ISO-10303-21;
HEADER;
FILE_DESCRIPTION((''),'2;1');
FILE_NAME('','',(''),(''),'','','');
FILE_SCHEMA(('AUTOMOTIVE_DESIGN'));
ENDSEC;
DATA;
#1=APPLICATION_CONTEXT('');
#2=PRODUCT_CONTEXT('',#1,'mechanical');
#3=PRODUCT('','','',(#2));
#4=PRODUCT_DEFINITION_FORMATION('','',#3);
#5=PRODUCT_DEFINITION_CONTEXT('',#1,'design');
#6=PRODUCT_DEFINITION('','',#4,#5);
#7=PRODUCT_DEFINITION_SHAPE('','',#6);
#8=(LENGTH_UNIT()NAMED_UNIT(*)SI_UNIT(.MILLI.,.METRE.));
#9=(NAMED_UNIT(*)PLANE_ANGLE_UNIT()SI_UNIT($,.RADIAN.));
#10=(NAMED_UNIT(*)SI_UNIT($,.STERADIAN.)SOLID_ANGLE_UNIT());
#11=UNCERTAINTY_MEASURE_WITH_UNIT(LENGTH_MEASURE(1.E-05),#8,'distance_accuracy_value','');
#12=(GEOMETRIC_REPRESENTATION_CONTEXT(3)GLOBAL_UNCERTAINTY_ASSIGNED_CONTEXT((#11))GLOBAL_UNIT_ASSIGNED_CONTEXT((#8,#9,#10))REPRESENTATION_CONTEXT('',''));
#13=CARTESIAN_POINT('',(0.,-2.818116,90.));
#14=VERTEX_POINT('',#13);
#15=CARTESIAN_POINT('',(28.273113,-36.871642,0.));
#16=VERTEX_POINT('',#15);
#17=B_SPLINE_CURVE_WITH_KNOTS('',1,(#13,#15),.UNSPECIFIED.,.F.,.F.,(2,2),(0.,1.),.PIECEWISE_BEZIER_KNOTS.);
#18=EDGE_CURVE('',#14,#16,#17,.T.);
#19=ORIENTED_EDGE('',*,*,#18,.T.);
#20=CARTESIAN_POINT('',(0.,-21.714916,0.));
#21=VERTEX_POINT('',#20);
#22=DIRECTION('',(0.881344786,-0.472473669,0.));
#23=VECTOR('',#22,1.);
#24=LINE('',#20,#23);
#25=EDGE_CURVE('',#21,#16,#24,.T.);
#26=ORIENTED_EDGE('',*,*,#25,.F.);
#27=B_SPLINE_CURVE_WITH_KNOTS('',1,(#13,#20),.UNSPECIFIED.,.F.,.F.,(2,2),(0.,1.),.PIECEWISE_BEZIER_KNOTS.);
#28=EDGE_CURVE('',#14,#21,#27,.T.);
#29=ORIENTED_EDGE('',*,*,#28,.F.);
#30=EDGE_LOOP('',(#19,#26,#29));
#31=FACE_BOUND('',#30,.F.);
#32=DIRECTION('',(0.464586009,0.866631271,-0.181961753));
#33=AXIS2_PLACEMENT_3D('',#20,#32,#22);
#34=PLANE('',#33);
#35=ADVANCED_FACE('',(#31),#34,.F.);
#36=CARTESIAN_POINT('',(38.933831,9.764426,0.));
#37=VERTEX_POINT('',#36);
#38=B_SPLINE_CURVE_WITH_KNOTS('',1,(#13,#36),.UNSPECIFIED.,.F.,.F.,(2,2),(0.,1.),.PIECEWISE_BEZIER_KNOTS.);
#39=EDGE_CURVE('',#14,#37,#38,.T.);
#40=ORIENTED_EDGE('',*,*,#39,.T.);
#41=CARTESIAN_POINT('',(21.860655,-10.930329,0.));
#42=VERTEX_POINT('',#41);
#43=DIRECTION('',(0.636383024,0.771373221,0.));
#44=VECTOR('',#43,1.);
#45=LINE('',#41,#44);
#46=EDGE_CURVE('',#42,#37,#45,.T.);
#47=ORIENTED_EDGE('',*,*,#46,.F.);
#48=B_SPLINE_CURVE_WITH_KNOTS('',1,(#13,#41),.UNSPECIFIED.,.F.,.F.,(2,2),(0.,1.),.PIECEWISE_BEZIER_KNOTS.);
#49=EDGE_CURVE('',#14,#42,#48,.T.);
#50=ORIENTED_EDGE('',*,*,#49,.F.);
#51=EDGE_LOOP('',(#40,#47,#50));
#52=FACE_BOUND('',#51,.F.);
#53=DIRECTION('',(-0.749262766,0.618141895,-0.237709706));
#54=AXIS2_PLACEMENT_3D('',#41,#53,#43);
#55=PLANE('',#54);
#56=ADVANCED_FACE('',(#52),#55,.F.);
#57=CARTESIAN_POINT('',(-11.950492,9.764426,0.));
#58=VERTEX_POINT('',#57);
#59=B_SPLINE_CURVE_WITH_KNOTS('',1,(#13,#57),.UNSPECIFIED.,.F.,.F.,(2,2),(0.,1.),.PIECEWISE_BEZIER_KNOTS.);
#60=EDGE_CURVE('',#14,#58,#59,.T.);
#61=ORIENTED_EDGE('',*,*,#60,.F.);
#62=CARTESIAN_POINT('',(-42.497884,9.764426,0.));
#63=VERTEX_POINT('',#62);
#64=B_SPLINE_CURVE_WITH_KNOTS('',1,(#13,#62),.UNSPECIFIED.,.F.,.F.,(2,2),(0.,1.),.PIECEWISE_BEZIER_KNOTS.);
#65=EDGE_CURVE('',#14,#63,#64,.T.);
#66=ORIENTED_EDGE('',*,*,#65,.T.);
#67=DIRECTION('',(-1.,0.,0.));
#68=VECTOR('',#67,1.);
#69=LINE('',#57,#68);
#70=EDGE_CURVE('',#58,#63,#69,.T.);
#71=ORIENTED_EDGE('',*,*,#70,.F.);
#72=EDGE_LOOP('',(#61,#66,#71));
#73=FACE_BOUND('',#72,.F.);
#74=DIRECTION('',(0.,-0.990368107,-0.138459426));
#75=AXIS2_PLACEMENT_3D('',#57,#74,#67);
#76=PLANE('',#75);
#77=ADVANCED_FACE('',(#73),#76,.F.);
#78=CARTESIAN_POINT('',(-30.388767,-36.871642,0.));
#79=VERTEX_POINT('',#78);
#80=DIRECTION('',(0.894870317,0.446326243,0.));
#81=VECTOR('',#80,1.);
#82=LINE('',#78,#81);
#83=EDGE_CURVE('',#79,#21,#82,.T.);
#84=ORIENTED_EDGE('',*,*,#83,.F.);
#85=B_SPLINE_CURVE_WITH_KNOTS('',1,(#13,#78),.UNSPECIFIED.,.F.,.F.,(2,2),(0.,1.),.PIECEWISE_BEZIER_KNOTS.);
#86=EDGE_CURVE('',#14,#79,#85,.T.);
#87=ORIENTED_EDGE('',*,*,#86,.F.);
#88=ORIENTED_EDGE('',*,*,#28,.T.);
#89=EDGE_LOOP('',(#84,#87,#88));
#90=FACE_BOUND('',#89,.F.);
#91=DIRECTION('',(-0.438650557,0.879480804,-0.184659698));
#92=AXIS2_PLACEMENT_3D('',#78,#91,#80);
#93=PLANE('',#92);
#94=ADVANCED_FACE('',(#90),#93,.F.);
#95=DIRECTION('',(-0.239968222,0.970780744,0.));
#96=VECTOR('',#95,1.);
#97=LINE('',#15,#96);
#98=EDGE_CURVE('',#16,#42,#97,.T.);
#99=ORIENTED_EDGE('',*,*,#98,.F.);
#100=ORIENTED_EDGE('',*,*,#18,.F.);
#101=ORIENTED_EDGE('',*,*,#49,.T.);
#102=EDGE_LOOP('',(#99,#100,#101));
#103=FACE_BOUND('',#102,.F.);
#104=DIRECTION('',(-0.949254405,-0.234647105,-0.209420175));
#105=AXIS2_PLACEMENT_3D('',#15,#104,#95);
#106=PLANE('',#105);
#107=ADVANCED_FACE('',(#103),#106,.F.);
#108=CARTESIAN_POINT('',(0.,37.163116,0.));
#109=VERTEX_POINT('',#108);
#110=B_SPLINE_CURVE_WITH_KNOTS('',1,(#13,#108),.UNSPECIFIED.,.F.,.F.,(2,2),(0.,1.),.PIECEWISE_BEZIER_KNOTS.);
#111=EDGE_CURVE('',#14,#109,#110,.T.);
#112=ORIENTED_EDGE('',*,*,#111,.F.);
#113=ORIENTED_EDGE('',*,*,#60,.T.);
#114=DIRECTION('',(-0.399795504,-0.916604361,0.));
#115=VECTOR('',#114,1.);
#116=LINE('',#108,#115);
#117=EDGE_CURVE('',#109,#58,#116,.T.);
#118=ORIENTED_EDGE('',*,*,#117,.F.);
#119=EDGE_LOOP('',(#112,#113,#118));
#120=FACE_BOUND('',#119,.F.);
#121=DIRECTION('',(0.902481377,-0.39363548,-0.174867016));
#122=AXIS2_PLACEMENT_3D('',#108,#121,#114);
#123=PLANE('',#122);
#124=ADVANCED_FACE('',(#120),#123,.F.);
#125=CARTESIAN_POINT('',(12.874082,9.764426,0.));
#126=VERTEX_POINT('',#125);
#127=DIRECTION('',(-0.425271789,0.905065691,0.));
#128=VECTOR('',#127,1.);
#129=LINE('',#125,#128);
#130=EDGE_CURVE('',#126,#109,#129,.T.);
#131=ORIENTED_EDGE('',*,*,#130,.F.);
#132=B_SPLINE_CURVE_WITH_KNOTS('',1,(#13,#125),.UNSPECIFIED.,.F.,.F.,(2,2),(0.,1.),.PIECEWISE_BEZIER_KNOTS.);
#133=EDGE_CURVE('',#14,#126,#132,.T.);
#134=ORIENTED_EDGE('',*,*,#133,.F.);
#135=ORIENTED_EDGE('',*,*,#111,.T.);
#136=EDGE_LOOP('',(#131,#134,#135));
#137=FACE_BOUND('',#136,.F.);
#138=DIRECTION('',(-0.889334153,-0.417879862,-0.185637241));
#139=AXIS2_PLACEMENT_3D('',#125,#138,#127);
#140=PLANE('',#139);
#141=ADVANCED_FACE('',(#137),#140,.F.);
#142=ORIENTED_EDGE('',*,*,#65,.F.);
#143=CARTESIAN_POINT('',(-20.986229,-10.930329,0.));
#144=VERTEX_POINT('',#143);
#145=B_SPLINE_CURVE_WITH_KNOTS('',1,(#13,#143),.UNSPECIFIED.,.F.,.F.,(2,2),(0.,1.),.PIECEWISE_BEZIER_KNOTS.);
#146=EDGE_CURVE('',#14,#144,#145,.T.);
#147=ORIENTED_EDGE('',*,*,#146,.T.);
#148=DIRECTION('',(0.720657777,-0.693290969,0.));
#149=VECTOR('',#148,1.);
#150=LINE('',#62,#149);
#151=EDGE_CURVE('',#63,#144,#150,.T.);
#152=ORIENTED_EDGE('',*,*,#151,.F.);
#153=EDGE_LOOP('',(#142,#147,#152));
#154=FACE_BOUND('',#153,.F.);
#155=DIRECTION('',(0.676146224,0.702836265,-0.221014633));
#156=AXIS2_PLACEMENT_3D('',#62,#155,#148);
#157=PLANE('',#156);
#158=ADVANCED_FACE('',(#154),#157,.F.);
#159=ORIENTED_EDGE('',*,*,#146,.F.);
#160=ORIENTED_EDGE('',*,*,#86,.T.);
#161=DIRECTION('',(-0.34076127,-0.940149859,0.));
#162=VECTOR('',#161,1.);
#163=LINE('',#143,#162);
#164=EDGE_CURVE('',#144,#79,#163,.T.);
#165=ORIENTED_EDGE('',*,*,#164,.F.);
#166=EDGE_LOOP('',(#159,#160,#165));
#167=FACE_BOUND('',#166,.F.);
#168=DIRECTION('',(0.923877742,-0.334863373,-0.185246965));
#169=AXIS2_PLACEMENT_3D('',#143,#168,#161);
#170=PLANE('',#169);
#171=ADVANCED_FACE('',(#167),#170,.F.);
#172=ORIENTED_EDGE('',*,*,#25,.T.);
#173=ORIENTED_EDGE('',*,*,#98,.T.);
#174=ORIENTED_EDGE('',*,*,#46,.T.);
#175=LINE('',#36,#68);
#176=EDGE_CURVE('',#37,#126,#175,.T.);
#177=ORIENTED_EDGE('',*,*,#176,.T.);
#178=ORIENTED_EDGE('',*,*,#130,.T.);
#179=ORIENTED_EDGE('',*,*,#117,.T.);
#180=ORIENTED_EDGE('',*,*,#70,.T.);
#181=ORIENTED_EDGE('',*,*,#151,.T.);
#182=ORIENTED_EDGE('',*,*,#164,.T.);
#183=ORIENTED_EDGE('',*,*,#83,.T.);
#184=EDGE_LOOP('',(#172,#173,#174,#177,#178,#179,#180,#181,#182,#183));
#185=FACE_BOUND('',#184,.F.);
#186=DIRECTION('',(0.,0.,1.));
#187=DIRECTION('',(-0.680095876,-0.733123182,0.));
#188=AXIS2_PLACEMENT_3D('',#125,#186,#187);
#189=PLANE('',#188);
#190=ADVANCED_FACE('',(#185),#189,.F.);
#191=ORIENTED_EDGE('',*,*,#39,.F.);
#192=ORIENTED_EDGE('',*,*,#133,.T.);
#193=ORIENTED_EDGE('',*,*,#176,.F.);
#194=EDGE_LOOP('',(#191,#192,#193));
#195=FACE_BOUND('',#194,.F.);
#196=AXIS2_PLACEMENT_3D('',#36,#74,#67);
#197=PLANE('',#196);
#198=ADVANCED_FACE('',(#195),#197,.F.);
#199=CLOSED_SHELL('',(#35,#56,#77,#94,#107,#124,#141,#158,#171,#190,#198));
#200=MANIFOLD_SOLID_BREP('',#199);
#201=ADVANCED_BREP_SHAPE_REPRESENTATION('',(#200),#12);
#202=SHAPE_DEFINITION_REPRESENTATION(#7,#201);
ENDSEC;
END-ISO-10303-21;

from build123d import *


with BuildPart() as f3:
    # F0 (on Top) → F3 section 0
    with BuildSketch(Plane.XY, mode=Mode.PRIVATE) as f3_s0:
        Polygon((12.874082, 9.764426), (0, 37.163116), (-11.950492, 9.764426), (-42.497884, 9.764426), (-20.986229, -10.930329), (-30.388767, -36.871642), (0, -21.714916), (28.273113, -36.871642), (21.860655, -10.930329), (38.933831, 9.764426), align=None)
    loft([Vertex(0, -2.818116, 90), f3_s0.sketch])


solid = f3.part
